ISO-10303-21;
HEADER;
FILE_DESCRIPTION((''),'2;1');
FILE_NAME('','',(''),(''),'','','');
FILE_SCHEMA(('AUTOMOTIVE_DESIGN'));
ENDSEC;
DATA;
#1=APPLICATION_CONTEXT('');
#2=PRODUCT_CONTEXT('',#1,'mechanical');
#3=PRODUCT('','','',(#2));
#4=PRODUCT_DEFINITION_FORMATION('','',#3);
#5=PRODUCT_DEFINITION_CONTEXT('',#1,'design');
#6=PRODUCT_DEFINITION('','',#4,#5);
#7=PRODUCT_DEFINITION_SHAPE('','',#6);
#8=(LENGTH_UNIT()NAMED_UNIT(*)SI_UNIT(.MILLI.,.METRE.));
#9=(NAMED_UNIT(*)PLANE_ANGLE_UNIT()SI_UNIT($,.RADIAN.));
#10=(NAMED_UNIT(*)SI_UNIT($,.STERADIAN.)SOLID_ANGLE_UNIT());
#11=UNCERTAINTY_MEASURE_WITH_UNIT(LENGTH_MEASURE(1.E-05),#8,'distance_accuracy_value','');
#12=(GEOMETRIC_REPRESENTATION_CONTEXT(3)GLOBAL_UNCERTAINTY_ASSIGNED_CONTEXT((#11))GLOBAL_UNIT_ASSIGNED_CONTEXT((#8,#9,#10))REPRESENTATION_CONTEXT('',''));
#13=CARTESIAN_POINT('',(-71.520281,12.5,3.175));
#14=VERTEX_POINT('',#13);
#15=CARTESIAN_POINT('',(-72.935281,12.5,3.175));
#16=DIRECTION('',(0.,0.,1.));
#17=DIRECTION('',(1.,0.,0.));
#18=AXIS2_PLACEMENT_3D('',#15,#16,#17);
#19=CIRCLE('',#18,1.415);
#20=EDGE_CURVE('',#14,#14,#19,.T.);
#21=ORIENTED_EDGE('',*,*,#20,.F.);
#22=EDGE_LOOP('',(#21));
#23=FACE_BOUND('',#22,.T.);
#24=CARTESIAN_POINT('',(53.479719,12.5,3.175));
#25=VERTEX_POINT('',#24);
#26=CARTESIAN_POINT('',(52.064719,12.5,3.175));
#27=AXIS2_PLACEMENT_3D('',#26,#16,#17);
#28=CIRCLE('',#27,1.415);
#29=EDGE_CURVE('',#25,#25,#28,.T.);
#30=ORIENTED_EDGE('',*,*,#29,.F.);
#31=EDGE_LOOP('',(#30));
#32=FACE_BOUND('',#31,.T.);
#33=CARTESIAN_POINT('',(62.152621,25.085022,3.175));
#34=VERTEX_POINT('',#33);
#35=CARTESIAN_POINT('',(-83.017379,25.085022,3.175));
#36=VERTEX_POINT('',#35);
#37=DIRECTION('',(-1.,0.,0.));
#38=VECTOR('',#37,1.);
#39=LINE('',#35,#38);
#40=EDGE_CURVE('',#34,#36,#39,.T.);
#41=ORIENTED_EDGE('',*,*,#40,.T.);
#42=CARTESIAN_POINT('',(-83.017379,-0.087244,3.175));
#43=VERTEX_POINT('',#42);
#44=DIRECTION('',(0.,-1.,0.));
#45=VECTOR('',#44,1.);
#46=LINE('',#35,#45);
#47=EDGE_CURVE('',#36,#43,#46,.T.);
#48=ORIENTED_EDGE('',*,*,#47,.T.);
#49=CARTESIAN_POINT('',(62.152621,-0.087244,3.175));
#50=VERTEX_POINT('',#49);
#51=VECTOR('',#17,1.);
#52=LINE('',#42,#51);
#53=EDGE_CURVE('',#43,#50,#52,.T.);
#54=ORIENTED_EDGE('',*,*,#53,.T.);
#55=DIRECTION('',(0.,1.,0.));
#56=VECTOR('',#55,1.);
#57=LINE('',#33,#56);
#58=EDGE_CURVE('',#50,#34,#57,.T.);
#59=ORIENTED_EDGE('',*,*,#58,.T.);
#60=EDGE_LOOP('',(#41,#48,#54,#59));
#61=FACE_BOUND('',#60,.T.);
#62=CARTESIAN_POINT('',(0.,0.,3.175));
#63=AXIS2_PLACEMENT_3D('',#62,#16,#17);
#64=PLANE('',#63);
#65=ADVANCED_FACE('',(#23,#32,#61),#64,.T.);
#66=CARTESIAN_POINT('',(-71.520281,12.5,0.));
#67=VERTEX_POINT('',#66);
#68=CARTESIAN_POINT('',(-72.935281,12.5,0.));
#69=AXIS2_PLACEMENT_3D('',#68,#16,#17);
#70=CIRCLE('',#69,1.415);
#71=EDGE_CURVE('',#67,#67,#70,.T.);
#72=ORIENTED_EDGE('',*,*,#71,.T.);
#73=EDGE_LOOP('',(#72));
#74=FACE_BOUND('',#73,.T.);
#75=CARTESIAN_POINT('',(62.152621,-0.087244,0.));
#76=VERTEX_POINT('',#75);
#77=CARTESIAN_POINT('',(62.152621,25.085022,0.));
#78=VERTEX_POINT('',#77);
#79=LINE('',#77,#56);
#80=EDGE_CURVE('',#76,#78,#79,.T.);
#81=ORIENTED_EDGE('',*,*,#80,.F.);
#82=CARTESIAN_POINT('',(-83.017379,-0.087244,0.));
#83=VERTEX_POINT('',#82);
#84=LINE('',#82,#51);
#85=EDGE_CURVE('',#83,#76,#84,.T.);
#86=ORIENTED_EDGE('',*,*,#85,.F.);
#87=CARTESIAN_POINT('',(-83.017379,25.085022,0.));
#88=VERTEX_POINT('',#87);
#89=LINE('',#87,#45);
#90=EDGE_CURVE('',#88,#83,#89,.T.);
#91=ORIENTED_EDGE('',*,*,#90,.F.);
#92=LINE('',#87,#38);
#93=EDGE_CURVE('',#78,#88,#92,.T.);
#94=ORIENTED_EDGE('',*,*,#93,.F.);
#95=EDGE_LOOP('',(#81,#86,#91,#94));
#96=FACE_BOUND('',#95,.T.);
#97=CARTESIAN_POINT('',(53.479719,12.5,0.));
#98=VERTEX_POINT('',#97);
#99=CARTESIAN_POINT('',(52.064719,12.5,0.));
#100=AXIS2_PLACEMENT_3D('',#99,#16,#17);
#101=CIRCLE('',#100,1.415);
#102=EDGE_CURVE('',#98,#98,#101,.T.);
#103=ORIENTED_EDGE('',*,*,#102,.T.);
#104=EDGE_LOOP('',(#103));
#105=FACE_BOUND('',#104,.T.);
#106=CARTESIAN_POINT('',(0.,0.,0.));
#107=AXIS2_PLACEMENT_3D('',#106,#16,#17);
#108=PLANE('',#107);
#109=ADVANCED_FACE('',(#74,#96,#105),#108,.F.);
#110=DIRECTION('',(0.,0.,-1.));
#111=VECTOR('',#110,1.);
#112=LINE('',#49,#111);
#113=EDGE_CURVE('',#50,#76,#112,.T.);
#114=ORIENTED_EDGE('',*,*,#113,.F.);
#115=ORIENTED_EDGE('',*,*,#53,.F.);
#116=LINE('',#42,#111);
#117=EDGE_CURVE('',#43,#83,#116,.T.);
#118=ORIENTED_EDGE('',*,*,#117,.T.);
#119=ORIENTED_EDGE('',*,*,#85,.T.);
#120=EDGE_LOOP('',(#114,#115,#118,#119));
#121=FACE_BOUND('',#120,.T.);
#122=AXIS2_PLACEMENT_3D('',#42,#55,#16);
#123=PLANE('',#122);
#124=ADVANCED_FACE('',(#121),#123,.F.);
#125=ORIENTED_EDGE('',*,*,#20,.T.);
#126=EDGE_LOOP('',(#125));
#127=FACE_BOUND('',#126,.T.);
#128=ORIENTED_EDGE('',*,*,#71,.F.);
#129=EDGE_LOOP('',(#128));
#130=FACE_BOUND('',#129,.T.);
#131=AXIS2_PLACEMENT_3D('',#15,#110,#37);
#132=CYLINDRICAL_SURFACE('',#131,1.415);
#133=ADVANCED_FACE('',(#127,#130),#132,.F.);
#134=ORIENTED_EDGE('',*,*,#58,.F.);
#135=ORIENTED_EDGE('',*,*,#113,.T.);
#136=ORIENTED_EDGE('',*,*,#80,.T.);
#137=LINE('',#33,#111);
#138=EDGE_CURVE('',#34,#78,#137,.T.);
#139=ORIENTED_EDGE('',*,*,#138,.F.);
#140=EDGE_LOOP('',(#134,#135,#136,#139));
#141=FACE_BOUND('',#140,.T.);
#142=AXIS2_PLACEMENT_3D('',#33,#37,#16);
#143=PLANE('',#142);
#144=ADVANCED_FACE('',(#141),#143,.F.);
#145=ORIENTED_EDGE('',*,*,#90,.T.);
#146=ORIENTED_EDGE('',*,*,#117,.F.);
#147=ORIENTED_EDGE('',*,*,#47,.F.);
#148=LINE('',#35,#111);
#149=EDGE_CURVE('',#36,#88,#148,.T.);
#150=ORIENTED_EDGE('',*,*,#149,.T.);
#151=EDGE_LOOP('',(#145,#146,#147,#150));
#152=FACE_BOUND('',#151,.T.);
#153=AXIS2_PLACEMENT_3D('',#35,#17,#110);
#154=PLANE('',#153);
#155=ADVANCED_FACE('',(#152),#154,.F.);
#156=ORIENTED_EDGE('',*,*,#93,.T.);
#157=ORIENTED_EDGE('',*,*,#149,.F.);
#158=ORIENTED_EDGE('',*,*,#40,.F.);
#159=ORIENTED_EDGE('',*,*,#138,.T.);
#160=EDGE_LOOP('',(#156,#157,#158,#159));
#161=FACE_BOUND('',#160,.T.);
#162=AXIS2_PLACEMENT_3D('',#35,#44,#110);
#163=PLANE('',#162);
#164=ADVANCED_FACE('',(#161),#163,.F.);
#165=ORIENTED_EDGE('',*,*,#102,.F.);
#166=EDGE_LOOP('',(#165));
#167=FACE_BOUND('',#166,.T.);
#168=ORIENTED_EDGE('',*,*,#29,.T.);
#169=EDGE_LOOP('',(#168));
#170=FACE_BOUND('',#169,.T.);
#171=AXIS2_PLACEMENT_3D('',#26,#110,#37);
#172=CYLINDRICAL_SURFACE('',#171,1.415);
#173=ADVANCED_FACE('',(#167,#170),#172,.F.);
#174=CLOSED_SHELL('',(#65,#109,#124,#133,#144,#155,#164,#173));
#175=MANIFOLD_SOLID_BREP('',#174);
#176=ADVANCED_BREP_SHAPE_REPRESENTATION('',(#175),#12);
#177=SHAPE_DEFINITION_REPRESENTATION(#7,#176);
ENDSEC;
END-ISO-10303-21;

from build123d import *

# Parameters (mm, degrees)
SKETCH1_W           = 145.17
SKETCH1_H           = 25.172266624
SKETCH1_R           = 1.415
BOSS_EXTRUDE1_DEPTH = 3.175


with BuildPart() as part:
    # Sketch1 → Boss-Extrude1 (new body)
    with BuildSketch(Plane.XY):
        with Locations((-10.432378898, 12.498888975)):
            Rectangle(SKETCH1_W, SKETCH1_H)
        with Locations((-72.935280805, 12.5)):
            Circle(SKETCH1_R, mode=Mode.SUBTRACT)
        with Locations((52.064719195, 12.5)):
            Circle(SKETCH1_R, mode=Mode.SUBTRACT)
    extrude(amount=BOSS_EXTRUDE1_DEPTH)


solid = part.part
